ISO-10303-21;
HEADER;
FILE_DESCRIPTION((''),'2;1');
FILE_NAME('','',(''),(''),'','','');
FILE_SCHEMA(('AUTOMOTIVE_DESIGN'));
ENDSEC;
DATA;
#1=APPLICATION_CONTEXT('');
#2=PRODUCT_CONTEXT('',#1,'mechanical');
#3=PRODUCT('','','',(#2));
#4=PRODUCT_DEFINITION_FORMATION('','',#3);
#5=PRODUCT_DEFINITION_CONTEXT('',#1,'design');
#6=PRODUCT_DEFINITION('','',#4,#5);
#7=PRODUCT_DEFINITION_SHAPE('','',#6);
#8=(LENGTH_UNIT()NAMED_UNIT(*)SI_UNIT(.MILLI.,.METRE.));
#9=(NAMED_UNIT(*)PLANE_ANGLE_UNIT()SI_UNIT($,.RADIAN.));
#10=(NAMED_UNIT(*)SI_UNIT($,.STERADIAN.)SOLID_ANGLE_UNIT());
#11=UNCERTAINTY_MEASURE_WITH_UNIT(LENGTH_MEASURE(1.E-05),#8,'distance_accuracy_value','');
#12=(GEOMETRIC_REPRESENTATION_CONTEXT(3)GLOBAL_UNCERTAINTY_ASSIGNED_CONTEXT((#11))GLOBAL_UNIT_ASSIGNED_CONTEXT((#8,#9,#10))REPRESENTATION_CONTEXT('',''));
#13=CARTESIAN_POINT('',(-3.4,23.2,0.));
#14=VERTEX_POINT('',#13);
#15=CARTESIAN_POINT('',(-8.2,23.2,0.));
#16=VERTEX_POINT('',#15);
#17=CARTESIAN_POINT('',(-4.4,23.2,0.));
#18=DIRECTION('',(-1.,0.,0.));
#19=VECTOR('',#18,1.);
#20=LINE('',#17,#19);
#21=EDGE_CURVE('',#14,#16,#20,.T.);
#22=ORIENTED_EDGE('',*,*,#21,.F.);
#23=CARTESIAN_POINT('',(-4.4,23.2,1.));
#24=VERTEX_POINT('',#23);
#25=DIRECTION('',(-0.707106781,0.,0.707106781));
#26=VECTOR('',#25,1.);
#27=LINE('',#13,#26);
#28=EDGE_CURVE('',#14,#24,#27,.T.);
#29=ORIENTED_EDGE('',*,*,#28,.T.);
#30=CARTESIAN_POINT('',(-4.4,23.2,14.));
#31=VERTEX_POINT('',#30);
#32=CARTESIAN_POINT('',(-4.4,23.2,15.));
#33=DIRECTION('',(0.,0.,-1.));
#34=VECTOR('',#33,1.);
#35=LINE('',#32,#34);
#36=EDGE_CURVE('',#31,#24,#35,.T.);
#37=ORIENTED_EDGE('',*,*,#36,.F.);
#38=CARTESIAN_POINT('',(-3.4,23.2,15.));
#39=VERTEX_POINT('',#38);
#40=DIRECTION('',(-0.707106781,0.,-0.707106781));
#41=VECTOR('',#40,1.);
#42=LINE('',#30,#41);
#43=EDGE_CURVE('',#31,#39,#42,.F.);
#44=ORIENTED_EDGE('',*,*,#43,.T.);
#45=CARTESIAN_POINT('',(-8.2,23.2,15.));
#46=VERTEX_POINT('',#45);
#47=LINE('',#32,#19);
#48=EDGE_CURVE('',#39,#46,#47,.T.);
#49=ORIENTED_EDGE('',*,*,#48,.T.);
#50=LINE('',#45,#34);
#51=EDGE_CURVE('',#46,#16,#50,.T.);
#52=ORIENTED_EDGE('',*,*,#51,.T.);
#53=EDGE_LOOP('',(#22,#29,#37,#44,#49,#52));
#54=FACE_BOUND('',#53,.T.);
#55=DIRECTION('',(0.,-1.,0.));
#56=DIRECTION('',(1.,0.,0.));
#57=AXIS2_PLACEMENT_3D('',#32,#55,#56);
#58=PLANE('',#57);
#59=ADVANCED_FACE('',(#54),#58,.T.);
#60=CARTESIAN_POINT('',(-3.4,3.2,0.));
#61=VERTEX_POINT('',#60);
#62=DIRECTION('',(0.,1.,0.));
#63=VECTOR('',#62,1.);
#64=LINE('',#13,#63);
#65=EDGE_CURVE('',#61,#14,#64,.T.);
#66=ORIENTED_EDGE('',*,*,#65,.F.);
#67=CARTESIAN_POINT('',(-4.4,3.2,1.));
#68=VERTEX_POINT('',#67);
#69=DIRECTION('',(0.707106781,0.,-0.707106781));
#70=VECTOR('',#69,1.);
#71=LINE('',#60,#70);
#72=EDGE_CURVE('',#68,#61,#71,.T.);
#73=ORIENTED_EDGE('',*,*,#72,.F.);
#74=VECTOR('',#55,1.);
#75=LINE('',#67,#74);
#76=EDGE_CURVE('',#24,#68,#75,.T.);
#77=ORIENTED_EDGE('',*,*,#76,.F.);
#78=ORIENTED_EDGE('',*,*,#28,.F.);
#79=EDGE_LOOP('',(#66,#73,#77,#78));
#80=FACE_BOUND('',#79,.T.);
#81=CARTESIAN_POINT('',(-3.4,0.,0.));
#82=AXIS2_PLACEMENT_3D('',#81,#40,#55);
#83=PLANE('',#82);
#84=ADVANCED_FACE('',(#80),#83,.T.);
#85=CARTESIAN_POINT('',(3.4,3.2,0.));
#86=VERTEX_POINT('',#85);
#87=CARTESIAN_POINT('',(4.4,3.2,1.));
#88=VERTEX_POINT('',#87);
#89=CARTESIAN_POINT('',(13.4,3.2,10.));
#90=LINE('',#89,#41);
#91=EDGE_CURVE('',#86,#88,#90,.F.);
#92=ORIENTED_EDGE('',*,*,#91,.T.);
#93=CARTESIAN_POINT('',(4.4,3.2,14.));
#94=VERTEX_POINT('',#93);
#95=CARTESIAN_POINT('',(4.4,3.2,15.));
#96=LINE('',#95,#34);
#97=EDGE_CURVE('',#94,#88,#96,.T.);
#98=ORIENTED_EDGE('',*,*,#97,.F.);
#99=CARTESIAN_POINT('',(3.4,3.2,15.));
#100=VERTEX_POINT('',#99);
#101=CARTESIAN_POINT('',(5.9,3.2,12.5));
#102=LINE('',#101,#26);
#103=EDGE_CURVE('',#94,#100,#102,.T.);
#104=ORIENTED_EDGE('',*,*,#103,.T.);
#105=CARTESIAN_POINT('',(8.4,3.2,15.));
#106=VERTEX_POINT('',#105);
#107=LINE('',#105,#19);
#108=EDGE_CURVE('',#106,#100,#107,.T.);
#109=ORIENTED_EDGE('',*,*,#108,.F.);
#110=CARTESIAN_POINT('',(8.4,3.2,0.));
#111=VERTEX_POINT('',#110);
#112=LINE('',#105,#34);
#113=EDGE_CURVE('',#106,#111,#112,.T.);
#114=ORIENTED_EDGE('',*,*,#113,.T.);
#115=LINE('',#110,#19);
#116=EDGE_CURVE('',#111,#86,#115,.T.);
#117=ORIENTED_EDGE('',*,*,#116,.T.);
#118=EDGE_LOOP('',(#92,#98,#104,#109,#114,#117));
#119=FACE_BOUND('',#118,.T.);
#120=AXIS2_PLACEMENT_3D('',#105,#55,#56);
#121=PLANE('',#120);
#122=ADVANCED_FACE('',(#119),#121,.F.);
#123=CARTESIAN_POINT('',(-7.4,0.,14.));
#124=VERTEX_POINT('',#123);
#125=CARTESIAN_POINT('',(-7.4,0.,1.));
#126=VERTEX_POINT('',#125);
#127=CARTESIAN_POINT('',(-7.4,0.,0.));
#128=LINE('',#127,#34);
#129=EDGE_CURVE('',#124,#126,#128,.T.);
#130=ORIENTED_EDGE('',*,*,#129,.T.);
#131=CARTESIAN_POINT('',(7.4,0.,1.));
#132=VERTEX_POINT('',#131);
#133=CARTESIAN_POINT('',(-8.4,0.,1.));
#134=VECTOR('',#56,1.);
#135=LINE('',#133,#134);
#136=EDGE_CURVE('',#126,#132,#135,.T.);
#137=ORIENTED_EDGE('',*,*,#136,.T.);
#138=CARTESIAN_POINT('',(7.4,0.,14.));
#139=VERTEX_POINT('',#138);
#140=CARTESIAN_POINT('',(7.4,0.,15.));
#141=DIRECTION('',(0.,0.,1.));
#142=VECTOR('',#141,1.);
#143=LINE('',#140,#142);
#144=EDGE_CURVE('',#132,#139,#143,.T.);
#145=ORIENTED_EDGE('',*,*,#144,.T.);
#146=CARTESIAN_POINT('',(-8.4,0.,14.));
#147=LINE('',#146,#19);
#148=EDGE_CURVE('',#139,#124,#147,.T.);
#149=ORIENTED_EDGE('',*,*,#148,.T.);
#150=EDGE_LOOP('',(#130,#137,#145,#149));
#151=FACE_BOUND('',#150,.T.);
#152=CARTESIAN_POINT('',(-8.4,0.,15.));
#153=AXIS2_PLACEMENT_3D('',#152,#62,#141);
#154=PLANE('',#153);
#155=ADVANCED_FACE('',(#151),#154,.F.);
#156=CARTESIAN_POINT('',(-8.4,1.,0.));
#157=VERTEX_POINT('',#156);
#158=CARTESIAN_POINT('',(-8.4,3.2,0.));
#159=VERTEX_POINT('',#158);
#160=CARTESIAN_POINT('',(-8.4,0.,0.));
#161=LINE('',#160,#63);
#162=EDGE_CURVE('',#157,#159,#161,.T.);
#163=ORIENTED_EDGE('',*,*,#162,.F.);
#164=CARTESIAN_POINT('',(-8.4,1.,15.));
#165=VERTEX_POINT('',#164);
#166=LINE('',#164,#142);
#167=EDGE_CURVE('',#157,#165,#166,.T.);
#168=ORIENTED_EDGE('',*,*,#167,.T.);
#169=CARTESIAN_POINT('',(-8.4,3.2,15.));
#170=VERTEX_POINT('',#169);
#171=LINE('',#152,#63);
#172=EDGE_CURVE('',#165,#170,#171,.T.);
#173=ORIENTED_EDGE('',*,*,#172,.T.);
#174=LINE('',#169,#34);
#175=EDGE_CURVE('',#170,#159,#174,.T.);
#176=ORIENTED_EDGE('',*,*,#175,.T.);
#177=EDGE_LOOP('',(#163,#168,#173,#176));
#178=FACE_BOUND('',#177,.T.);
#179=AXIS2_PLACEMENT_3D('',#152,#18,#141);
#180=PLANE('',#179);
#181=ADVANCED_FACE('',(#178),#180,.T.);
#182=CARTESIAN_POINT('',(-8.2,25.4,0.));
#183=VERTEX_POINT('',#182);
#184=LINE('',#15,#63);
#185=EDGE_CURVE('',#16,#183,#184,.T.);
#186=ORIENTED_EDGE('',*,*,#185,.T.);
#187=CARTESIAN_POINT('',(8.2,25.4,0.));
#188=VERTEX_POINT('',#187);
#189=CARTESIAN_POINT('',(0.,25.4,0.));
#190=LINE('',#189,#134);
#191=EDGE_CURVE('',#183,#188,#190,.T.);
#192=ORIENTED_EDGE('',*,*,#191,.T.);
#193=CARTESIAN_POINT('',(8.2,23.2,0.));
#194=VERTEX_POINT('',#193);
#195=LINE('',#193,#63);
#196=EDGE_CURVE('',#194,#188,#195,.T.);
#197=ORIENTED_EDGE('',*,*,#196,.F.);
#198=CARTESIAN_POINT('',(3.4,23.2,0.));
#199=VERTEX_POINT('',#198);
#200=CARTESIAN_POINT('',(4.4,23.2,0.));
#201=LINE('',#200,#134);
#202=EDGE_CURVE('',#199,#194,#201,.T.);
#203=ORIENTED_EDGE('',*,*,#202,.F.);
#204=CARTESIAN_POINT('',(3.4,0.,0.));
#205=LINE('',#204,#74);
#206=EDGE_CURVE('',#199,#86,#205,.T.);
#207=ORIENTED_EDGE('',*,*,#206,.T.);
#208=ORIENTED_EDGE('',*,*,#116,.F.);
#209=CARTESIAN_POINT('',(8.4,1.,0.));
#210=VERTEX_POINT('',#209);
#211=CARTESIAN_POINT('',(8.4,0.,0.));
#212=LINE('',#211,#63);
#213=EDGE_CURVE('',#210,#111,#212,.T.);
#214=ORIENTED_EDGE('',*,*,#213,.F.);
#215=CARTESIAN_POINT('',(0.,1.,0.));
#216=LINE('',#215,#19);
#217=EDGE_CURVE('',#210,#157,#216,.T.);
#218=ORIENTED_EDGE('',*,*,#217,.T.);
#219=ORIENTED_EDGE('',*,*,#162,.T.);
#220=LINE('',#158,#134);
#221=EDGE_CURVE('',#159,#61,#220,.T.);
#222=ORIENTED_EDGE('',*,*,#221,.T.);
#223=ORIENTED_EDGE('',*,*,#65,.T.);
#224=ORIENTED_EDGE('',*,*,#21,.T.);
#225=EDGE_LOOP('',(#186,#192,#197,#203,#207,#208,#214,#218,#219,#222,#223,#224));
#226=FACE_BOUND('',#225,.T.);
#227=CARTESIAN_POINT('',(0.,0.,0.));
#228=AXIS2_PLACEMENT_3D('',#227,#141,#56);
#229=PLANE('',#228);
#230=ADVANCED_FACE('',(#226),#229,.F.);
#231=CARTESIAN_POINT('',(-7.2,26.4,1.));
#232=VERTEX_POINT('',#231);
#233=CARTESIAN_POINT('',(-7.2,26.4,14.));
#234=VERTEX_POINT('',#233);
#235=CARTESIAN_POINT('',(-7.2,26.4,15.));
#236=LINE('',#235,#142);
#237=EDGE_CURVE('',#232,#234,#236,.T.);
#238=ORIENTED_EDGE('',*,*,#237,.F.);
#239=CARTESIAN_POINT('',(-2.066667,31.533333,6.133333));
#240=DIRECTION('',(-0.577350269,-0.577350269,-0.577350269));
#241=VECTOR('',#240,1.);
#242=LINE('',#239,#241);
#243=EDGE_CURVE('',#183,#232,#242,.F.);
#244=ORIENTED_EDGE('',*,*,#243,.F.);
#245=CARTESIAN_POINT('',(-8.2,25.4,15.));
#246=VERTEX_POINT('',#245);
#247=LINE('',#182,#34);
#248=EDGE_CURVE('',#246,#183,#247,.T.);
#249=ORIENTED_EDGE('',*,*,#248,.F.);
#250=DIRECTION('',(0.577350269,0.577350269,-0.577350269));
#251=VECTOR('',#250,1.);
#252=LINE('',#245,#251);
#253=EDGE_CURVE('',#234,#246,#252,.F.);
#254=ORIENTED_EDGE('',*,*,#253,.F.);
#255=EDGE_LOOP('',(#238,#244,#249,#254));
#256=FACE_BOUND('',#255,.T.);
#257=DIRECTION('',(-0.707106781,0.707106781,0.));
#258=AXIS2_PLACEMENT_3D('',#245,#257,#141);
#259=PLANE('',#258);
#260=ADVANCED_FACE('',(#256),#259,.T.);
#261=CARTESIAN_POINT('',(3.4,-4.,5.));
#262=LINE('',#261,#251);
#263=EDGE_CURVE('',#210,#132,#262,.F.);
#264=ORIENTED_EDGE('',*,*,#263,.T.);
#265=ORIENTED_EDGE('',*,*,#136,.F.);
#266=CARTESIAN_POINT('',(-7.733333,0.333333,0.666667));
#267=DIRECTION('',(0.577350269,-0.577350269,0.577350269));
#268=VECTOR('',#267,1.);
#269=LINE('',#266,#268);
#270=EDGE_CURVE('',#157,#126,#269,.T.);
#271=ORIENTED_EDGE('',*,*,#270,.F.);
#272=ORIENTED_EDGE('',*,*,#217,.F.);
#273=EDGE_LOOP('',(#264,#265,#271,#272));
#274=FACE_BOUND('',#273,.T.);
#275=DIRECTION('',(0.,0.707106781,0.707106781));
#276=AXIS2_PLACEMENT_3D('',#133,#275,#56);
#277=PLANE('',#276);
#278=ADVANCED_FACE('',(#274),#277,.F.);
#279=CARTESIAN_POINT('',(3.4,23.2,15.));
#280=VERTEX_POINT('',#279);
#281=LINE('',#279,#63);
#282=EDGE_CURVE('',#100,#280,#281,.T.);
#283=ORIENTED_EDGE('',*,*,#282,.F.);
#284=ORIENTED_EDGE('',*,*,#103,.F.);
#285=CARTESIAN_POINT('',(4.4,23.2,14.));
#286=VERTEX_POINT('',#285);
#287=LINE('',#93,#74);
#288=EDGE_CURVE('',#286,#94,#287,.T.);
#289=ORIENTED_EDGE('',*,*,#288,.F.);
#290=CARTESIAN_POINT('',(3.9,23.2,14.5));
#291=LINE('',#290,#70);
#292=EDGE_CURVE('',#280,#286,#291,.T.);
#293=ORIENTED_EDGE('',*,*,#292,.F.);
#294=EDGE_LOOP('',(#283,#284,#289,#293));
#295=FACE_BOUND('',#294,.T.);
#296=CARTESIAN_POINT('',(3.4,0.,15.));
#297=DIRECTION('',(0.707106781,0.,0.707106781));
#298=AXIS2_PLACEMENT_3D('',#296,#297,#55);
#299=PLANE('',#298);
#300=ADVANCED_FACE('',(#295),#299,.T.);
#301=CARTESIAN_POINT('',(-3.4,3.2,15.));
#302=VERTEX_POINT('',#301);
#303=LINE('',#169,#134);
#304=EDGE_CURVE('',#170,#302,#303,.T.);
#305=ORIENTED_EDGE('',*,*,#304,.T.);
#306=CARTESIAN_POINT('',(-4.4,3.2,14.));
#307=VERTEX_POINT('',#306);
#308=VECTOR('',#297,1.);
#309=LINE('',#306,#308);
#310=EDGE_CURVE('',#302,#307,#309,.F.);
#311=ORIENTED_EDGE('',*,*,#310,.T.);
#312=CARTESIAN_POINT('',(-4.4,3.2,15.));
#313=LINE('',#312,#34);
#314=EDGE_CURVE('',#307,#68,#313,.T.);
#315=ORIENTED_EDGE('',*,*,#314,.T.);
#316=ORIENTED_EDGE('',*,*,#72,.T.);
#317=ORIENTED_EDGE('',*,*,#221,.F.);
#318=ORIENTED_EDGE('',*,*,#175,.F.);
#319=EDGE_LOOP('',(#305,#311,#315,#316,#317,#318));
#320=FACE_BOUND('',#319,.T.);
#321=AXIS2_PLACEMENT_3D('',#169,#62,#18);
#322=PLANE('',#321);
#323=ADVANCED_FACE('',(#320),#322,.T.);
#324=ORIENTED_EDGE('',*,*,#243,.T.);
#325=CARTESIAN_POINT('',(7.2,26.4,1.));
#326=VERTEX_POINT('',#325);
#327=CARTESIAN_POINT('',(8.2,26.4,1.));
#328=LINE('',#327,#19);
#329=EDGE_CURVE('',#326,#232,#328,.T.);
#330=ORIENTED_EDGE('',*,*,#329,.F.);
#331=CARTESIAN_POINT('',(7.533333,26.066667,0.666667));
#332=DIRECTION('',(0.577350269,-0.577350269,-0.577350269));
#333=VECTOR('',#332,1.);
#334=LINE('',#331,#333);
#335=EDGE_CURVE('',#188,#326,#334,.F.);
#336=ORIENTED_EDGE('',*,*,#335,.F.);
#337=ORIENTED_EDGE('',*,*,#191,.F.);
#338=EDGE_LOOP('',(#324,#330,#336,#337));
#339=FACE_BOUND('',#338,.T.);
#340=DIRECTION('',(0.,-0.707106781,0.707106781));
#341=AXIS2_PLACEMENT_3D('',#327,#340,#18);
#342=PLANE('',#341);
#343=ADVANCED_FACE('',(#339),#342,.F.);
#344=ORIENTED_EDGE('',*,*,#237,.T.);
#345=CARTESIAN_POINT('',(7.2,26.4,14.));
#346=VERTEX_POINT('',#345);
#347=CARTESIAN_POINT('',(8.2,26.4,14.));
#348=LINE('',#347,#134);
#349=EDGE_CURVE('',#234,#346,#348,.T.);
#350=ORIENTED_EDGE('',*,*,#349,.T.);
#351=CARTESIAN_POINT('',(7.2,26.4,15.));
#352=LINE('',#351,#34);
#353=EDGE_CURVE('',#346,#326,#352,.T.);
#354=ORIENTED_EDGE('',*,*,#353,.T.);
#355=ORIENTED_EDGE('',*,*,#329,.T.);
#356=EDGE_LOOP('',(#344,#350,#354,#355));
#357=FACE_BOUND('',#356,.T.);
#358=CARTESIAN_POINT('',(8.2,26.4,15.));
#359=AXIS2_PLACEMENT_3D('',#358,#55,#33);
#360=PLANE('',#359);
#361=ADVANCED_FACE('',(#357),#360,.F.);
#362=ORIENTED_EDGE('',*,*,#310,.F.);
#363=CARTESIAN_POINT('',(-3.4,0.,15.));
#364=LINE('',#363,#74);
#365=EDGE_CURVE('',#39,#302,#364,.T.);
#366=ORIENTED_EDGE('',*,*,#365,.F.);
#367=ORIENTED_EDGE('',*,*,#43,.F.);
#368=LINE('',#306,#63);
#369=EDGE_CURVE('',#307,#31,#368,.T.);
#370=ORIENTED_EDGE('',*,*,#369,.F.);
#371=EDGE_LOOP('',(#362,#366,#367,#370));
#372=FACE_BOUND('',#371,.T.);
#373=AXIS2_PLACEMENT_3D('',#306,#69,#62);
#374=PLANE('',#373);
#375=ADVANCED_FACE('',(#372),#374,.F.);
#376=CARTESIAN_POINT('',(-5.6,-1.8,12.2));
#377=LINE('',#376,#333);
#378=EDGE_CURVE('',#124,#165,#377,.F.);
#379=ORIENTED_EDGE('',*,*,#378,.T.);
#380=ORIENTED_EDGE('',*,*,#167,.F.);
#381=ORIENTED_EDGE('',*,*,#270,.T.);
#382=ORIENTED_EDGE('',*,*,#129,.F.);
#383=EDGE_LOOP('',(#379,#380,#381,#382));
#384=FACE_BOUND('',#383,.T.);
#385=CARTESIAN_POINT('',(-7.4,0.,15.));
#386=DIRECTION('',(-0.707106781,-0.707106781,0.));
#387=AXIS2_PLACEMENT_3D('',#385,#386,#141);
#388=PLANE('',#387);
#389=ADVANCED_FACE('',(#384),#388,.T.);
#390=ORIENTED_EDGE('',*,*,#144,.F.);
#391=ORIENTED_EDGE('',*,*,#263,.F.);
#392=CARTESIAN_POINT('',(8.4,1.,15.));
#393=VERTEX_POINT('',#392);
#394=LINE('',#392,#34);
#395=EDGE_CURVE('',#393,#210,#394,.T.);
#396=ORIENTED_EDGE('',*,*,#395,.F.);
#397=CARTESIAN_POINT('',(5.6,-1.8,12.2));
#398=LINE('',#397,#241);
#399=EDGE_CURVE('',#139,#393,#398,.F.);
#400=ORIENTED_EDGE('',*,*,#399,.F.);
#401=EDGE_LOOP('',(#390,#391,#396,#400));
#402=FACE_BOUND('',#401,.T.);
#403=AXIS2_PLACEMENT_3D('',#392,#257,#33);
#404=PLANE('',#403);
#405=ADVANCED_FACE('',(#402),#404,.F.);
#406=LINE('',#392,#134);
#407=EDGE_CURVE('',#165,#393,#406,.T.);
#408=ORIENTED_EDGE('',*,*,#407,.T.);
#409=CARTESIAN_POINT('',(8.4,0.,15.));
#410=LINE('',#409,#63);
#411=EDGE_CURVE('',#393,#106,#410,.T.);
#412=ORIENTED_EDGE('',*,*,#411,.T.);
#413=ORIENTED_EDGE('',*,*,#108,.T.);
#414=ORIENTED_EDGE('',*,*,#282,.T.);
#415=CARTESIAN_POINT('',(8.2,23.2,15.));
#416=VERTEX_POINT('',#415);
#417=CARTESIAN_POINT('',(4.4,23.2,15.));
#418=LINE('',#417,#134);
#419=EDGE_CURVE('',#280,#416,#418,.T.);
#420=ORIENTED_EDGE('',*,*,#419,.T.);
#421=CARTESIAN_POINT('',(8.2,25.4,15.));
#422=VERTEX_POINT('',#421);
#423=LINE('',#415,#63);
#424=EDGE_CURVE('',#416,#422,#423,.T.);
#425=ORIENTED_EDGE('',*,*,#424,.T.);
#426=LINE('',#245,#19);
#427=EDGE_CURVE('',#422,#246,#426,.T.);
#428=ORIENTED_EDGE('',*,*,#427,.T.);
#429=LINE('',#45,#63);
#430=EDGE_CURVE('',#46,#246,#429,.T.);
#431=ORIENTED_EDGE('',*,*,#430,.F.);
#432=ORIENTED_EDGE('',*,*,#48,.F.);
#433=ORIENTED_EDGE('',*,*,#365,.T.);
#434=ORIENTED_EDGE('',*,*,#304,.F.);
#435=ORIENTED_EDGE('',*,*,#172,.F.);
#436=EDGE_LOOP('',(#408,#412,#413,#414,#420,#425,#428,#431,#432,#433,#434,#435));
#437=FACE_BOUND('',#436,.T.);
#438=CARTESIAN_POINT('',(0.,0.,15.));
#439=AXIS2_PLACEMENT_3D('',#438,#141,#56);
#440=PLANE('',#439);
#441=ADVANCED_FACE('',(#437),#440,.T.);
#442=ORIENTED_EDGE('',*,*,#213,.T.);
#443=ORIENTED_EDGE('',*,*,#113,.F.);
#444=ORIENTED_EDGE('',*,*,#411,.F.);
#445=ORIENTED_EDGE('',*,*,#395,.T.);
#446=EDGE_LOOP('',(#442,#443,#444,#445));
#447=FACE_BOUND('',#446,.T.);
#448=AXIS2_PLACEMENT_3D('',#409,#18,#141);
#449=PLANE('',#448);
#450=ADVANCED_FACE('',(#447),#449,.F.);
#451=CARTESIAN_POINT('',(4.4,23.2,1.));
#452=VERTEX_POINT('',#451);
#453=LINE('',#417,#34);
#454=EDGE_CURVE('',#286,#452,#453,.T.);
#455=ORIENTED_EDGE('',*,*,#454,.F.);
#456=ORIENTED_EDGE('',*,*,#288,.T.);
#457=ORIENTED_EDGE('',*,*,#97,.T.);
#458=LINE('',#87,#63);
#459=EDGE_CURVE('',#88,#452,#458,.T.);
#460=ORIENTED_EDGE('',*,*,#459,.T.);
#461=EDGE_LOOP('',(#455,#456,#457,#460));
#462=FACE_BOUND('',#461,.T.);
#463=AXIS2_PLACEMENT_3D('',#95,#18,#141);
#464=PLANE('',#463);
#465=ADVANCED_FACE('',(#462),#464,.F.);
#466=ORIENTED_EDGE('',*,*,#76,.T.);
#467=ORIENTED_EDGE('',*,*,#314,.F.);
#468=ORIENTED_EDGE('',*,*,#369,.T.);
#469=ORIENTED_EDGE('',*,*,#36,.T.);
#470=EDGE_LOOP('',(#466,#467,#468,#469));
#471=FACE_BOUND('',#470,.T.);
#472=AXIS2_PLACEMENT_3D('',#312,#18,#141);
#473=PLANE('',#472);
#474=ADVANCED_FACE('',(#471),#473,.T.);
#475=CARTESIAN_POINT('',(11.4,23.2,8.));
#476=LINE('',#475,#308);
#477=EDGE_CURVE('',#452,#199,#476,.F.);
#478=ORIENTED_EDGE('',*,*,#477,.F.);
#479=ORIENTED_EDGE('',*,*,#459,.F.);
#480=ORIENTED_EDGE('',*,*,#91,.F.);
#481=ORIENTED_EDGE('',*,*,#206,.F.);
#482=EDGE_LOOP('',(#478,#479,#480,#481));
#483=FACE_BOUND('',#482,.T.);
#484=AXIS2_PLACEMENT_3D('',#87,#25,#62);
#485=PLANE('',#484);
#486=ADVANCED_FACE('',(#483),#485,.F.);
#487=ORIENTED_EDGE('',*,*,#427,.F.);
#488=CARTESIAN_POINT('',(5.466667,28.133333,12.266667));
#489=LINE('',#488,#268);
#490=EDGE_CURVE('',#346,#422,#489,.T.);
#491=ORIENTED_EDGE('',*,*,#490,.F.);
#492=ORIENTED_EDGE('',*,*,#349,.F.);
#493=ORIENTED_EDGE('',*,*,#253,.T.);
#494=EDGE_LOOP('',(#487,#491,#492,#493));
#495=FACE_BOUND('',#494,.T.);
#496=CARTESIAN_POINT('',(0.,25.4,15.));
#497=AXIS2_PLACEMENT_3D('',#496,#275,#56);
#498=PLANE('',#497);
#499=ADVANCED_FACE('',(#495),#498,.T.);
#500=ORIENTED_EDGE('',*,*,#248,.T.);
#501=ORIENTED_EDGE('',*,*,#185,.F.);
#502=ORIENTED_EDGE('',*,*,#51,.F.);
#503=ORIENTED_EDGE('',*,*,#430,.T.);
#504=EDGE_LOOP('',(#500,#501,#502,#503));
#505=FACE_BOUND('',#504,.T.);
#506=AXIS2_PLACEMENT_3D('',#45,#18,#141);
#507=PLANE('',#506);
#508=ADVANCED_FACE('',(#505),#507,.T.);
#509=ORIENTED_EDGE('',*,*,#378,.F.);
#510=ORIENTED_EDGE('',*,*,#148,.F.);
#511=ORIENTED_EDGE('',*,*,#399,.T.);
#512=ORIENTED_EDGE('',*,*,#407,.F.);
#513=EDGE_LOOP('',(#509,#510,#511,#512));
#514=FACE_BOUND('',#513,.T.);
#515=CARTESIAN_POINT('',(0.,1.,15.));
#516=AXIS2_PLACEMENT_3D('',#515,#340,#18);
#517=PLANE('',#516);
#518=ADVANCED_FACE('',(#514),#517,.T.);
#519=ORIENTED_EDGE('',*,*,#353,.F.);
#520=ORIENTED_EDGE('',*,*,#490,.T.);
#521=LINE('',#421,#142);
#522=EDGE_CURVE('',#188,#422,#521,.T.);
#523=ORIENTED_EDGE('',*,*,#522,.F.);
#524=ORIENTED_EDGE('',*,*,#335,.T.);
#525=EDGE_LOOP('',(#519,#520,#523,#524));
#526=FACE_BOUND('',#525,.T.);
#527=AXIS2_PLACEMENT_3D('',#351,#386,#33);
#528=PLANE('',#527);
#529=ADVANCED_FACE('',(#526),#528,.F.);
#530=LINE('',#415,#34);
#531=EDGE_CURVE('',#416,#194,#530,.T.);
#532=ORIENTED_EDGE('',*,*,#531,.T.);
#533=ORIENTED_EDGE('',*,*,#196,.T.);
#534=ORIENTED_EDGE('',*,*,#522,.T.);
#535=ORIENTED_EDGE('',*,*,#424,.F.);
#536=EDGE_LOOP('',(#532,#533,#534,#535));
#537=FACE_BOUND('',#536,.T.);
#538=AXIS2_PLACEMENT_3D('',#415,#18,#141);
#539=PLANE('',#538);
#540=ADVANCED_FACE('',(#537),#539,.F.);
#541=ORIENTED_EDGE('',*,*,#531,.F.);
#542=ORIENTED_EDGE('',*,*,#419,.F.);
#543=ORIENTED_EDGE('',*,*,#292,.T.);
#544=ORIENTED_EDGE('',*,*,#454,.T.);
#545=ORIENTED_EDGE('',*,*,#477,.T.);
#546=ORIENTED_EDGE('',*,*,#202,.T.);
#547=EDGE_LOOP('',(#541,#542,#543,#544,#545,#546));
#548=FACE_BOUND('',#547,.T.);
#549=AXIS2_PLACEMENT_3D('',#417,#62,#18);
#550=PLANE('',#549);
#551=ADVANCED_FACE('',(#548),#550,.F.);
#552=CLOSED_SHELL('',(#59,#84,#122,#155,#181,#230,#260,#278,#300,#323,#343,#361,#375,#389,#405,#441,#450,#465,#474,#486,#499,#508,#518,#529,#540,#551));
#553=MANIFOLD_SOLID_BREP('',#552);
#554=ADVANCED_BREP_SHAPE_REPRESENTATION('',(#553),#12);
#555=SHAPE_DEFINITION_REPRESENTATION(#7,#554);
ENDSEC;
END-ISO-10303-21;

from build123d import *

# Parameters (mm, degrees)
EXTRUDE_1_DEPTH = 15
CHAMFER_1_SIZE  = 1


with BuildPart() as part:
    # 스케치1 → 보스-돌출1 (new body)
    with BuildSketch(Plane.XY):
        Polygon((-8.4, 0), (8.4, 0), (8.4, 3.2), (4.4, 3.2), (4.4, 23.2), (8.2, 23.2), (8.2, 26.4), (-8.2, 26.4), (-8.2, 23.2), (-4.4, 23.2), (-4.4, 3.2), (-8.4, 3.2), align=None)
    extrude(amount=EXTRUDE_1_DEPTH)

    # 모따기1
    chamfer_1_edges = [part.edges().sort_by_distance(p)[0] for p in [
        (4.4, 13.2, 0),
        (0, 0, 0),
        (-4.4, 13.2, 0),
        (0, 26.4, 0),
        (-4.4, 13.2, 15),
        (8.4, 0, 7.5),
        (-8.4, 0, 7.5),
        (-8.2, 26.4, 7.5),
        (8.2, 26.4, 7.5),
        (0, 0, 15),
        (4.4, 13.2, 15),
        (0, 26.4, 15),
    ]]
    chamfer(chamfer_1_edges, length=CHAMFER_1_SIZE)


solid = part.part
